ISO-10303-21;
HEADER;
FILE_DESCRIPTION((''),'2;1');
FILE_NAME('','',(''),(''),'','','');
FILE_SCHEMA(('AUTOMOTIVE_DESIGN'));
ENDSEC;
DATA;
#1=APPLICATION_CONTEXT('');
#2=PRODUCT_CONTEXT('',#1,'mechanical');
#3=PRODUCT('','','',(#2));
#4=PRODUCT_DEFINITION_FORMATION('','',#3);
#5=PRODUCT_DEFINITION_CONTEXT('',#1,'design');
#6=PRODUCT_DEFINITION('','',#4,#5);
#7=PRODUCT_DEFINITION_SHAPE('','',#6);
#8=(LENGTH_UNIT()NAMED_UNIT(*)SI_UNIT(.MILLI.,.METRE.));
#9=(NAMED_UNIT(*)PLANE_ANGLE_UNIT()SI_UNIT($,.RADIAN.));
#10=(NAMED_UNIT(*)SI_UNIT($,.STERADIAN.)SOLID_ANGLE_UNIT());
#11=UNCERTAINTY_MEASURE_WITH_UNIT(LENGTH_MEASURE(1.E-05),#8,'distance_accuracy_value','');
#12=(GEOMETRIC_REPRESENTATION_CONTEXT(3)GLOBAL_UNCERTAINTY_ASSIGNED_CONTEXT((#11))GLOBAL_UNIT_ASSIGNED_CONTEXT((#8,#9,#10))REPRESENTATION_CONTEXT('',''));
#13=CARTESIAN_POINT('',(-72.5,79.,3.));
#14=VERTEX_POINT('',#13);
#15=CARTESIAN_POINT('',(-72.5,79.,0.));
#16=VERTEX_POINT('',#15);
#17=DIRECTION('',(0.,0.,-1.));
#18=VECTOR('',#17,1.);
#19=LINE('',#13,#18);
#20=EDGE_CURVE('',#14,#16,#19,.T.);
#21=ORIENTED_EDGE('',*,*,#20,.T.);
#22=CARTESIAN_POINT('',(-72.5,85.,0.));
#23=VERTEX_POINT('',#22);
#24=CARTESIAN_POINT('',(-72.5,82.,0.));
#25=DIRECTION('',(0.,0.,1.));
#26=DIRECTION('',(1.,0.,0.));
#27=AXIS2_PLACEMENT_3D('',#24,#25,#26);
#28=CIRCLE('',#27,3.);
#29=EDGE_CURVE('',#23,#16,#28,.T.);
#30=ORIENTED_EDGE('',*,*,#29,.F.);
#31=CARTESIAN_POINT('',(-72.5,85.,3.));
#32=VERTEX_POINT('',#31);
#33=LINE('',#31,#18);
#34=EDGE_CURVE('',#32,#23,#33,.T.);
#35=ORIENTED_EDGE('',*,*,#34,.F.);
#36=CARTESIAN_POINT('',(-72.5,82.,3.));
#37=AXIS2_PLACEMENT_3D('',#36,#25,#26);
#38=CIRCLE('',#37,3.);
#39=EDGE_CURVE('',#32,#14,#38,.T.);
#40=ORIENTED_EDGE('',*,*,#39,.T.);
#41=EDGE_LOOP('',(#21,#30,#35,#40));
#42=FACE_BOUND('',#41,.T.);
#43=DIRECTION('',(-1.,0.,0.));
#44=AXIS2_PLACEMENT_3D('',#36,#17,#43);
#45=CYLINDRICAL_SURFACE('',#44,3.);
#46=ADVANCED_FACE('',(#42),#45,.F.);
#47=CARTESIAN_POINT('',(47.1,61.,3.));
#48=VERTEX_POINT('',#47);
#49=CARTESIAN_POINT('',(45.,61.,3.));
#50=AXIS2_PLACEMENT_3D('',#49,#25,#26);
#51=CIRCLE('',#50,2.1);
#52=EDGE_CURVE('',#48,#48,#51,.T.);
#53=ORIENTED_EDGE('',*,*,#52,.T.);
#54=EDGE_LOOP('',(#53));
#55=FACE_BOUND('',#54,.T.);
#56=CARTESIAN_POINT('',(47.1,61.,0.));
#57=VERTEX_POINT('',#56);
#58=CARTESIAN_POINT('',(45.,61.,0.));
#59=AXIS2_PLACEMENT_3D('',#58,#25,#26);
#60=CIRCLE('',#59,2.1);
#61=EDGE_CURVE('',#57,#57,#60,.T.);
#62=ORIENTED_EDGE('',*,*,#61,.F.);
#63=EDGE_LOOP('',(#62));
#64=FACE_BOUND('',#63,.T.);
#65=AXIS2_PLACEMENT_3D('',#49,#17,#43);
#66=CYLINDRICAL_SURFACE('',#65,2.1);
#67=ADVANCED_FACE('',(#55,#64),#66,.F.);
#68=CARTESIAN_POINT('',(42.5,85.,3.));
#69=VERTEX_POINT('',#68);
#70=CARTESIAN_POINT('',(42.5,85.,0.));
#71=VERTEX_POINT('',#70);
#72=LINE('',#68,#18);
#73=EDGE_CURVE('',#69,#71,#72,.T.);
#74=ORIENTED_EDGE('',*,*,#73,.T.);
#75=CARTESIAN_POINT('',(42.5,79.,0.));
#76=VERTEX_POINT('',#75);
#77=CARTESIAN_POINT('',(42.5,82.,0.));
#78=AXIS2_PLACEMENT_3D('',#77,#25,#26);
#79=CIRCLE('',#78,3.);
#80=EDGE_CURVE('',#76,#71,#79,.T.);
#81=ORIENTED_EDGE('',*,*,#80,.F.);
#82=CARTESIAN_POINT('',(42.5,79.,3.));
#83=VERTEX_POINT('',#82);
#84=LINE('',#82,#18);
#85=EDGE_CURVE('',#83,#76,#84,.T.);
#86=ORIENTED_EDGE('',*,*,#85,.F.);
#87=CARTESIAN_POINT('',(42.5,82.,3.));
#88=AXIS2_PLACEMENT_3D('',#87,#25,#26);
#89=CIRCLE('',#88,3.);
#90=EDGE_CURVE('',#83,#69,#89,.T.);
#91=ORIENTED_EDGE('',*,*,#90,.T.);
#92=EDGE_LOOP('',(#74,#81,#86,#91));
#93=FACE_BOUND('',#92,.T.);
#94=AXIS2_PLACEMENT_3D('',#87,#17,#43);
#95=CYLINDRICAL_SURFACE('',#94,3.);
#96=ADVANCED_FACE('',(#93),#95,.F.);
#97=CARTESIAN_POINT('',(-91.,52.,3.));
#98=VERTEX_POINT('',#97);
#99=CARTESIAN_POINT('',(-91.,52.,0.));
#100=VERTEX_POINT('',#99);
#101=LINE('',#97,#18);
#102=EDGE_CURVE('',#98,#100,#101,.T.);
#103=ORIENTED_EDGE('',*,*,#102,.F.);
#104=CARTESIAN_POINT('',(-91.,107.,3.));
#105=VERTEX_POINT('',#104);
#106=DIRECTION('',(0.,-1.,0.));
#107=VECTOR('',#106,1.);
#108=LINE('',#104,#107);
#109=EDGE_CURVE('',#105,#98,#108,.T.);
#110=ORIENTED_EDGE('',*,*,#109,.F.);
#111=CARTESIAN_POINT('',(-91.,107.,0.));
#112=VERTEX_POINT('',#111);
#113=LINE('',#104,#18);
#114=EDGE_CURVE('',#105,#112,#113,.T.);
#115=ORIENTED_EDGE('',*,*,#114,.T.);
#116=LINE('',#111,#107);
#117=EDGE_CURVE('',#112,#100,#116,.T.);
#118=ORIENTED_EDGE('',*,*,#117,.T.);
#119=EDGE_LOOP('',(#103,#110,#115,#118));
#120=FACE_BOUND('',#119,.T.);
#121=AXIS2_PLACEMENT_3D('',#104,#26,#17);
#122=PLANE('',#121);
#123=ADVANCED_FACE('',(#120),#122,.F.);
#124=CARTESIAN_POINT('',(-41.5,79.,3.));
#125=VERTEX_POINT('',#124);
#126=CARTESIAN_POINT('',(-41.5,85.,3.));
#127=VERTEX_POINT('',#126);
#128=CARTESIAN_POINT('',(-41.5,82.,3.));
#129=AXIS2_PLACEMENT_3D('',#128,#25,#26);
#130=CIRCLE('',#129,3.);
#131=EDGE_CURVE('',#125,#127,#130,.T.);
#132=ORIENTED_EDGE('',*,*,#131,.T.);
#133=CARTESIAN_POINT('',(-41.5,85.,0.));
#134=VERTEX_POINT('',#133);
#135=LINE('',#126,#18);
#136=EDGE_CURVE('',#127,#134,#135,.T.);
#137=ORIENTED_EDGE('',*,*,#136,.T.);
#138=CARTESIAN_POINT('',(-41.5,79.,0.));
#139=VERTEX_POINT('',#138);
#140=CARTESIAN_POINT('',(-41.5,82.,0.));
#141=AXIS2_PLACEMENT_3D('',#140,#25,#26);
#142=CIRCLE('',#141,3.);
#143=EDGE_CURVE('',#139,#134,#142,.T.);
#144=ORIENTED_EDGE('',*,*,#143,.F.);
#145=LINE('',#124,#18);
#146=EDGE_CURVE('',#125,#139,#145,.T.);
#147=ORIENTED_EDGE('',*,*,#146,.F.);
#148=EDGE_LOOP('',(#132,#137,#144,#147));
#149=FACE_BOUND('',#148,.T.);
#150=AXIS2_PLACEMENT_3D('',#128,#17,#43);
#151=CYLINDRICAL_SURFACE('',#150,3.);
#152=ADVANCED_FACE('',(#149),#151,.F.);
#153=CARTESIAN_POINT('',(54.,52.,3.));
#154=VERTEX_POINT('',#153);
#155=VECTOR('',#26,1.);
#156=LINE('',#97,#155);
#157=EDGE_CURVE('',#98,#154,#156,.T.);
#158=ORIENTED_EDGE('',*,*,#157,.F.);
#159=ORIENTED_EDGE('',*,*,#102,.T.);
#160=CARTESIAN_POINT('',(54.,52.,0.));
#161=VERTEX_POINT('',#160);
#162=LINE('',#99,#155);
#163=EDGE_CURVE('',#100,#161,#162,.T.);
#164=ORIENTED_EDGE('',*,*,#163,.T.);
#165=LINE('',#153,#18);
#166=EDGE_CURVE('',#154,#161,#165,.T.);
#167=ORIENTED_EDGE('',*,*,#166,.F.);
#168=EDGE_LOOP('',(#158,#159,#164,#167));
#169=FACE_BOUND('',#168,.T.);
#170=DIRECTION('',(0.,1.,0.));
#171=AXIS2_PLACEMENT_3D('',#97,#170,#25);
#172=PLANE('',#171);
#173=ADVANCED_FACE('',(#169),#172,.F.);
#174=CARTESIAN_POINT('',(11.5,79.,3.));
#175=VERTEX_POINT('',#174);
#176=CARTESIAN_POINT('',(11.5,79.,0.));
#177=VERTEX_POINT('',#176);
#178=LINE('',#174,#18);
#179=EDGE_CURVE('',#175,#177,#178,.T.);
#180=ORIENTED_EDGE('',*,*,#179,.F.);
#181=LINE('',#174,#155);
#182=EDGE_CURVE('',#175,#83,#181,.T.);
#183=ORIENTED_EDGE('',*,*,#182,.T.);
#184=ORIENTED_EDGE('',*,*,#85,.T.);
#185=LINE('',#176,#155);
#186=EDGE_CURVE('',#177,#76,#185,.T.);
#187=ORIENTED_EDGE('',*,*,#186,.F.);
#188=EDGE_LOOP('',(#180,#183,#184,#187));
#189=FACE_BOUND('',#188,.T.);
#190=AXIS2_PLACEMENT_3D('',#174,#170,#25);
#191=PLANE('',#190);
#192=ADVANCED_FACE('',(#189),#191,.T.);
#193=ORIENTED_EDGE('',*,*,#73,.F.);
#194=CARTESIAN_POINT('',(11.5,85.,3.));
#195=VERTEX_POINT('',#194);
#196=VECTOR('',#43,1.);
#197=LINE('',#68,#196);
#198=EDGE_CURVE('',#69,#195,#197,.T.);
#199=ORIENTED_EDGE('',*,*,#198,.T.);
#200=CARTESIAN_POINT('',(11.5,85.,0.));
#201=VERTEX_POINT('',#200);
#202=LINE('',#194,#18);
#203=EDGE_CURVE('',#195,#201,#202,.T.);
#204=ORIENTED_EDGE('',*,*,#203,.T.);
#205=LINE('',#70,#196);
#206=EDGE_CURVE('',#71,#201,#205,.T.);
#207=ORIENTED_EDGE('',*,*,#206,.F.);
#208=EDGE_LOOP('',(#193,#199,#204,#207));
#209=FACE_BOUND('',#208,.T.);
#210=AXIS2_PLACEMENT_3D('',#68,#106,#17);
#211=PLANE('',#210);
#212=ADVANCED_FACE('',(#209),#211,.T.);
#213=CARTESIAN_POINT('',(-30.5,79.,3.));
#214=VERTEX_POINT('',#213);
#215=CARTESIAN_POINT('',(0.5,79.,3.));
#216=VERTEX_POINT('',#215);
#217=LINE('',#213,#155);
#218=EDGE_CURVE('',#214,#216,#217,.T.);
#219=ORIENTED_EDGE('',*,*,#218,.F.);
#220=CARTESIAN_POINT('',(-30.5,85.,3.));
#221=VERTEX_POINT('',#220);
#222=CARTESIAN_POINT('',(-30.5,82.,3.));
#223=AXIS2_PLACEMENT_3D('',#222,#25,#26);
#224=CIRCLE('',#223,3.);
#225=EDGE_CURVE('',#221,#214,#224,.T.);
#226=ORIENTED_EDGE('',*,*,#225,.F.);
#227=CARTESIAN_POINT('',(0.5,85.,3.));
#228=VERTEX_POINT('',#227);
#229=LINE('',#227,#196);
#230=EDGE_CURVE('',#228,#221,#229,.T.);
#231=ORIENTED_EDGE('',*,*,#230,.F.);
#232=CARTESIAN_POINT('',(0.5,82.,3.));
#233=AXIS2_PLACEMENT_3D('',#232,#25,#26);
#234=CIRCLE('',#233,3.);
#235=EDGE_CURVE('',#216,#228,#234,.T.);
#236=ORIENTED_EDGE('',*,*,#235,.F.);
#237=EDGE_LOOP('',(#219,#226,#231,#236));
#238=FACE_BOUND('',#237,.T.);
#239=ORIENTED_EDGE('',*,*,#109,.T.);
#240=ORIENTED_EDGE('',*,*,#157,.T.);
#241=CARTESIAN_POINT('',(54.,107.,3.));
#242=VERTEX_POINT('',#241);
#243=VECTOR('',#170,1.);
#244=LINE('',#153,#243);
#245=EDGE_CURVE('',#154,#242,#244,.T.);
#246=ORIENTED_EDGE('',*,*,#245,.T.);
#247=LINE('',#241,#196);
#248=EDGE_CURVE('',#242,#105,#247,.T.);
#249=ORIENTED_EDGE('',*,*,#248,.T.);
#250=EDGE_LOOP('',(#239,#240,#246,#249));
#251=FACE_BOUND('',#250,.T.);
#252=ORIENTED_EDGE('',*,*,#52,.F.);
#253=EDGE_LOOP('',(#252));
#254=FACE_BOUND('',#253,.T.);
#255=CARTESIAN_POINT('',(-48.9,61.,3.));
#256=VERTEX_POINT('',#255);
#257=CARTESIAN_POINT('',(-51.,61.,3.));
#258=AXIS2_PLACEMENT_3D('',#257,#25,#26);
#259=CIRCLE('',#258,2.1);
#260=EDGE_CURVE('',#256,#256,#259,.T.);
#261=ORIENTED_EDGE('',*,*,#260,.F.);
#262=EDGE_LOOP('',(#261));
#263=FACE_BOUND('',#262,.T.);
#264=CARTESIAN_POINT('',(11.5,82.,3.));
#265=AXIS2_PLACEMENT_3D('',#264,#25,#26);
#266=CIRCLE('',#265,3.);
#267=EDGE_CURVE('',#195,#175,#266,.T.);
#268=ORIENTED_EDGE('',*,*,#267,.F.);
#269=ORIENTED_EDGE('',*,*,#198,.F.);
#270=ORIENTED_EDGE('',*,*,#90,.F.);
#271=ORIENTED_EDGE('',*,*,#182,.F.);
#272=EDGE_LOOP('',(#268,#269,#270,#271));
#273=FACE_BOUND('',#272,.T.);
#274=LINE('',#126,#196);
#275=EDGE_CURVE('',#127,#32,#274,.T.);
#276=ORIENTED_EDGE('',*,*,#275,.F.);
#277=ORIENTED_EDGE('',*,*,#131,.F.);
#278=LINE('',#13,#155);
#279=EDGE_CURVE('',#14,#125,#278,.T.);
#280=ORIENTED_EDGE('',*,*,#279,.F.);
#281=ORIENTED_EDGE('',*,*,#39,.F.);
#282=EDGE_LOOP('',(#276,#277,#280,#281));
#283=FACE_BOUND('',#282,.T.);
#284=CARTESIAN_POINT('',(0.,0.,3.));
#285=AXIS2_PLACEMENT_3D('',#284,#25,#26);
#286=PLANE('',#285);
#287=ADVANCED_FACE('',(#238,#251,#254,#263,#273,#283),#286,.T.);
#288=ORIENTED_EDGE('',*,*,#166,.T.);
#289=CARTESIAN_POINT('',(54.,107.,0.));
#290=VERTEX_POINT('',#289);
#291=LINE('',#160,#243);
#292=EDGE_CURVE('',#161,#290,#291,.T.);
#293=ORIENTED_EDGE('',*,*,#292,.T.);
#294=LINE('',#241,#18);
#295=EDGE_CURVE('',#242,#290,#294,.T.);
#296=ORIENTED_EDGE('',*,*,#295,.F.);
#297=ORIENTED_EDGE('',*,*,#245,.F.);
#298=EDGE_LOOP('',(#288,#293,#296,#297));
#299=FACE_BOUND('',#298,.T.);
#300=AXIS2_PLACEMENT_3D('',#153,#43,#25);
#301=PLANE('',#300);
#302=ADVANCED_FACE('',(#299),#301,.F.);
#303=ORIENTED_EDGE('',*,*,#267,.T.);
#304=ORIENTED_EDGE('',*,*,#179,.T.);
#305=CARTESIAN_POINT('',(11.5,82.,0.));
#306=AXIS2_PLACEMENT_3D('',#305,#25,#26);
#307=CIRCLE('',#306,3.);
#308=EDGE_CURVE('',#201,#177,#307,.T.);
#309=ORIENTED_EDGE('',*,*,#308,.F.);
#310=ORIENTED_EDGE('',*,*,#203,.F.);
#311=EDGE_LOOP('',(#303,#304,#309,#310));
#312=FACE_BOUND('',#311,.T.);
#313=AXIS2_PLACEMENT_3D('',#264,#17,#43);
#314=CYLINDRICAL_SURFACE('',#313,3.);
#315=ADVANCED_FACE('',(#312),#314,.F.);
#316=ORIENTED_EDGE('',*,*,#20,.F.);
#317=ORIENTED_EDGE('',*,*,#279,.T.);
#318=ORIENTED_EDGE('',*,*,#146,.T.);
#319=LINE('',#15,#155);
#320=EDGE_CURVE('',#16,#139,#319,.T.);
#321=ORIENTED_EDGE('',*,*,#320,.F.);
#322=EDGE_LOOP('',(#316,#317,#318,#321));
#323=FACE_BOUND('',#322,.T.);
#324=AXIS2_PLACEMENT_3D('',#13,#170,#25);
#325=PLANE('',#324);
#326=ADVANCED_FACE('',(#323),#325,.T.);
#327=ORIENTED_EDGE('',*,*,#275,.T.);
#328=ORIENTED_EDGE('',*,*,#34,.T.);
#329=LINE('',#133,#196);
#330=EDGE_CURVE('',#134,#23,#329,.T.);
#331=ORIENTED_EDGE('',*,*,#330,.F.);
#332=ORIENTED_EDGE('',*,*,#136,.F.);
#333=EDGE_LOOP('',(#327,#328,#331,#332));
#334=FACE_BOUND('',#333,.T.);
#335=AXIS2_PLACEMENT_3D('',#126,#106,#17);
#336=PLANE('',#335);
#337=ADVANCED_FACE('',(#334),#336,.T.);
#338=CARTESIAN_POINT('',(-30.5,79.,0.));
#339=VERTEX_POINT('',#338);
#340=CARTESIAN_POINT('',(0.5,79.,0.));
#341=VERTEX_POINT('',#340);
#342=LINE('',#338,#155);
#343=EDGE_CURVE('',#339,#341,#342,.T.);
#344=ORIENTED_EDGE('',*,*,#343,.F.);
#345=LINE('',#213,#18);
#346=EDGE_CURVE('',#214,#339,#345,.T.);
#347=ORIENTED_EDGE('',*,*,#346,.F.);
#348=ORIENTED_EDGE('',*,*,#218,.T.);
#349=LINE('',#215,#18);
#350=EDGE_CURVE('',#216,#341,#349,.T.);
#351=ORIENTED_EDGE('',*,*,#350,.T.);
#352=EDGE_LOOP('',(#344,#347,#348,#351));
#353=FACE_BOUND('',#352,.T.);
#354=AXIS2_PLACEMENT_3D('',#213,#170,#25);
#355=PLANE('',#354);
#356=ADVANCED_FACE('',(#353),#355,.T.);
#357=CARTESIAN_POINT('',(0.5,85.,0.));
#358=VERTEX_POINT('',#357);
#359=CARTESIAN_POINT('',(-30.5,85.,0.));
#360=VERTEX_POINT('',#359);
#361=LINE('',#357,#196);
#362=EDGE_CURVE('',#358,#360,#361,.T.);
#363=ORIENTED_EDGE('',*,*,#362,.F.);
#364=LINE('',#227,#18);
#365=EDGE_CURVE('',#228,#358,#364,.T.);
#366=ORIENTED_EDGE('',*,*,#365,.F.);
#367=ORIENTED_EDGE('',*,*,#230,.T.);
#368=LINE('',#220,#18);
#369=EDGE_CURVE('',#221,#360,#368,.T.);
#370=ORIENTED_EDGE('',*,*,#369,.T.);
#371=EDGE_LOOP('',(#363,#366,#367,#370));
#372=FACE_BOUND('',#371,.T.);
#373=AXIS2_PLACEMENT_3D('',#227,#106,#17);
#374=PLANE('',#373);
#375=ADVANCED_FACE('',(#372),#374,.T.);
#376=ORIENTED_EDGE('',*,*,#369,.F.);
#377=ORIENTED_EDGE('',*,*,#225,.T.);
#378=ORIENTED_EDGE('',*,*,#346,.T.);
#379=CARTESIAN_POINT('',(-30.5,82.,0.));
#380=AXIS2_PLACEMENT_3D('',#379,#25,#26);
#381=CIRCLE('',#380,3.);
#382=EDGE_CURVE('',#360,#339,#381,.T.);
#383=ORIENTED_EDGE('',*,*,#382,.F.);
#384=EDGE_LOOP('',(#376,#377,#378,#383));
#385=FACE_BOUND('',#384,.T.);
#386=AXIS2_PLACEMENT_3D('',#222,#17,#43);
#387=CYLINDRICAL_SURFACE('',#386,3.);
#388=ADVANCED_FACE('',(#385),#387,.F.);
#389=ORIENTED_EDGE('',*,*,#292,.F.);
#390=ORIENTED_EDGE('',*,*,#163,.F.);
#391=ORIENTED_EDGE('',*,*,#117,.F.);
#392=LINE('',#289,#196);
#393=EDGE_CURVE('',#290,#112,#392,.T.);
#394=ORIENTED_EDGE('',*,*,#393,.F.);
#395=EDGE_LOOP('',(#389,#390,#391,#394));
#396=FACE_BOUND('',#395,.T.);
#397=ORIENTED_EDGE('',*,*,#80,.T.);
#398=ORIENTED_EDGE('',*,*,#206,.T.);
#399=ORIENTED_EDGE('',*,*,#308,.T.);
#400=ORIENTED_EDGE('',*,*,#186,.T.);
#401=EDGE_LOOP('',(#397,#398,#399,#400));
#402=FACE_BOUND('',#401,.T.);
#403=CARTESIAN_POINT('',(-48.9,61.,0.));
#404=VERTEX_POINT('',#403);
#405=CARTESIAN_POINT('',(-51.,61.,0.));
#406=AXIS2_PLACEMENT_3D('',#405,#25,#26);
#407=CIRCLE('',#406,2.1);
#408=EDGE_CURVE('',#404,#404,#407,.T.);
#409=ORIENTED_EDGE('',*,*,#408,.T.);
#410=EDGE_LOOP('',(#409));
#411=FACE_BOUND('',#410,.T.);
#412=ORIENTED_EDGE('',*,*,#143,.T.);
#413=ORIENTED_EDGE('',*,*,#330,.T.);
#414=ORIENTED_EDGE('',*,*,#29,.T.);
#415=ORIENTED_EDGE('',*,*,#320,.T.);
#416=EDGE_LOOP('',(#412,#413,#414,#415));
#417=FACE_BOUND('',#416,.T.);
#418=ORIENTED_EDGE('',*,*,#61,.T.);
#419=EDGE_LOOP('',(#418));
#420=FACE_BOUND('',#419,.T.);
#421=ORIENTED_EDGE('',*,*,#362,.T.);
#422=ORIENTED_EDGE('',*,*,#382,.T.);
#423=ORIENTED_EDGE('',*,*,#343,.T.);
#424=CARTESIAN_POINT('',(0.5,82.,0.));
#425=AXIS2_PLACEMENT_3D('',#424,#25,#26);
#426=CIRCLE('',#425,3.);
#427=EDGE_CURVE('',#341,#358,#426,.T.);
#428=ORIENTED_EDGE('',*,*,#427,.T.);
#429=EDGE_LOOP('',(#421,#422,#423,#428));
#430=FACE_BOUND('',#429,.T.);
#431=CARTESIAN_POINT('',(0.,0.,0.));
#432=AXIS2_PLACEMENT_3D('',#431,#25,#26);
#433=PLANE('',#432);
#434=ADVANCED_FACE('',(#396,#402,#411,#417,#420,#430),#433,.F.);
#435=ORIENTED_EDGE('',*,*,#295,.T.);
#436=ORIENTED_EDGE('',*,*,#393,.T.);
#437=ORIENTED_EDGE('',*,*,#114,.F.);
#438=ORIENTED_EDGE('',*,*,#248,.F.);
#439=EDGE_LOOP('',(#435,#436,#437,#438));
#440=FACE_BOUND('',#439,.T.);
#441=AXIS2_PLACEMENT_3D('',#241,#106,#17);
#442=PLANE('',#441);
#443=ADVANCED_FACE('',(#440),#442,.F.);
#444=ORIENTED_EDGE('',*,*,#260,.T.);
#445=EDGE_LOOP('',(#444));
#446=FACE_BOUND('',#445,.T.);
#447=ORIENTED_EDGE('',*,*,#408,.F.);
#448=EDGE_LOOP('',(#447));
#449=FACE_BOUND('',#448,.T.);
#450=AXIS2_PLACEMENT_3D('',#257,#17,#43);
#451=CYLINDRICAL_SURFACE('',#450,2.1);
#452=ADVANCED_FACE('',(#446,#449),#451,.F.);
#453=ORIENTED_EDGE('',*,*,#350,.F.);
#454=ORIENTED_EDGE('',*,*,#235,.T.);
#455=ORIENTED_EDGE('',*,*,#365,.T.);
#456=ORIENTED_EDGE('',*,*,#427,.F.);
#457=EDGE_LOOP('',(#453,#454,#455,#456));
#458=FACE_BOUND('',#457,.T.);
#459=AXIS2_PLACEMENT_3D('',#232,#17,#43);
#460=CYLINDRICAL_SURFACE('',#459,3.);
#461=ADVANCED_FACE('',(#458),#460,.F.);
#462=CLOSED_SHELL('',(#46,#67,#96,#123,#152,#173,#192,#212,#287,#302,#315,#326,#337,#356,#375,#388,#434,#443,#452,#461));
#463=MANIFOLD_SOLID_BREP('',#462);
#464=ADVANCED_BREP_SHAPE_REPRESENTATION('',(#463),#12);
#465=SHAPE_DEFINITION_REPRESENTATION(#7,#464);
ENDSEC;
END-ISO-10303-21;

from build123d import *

# Parameters (mm, degrees)
VENTED_LID_RISER_PROFILE_W = 145
VENTED_LID_RISER_PROFILE_H = 55
VENTED_LID_RISER_PROFILE_R = 2.1
VENTED_LID_RISER_DEPTH     = 3


with BuildPart() as part:
    # Vented lid riser profile → Vented lid riser (new body)
    with BuildSketch(Plane.XY):
        with Locations((-18.5, 79.5)):
            Rectangle(VENTED_LID_RISER_PROFILE_W, VENTED_LID_RISER_PROFILE_H)
        with Locations((-51, 61)):
            Circle(VENTED_LID_RISER_PROFILE_R, mode=Mode.SUBTRACT)
        with Locations((45, 61)):
            Circle(VENTED_LID_RISER_PROFILE_R, mode=Mode.SUBTRACT)
        with BuildLine():
            Line((-72.5, 79), (-41.5, 79))
            ThreePointArc((-41.5, 79), (-38.5, 82), (-41.5, 85))
            Line((-41.5, 85), (-72.5, 85))
            ThreePointArc((-72.5, 85), (-75.5, 82), (-72.5, 79))
        make_face(mode=Mode.SUBTRACT)
        with BuildLine():
            Line((-30.5, 79), (0.5, 79))
            ThreePointArc((0.5, 79), (3.5, 82), (0.5, 85))
            Line((0.5, 85), (-30.5, 85))
            ThreePointArc((-30.5, 85), (-33.5, 82), (-30.5, 79))
        make_face(mode=Mode.SUBTRACT)
        with BuildLine():
            Line((11.5, 79), (42.5, 79))
            ThreePointArc((42.5, 79), (45.5, 82), (42.5, 85))
            Line((42.5, 85), (11.5, 85))
            ThreePointArc((11.5, 85), (8.5, 82), (11.5, 79))
        make_face(mode=Mode.SUBTRACT)
    extrude(amount=VENTED_LID_RISER_DEPTH)


solid = part.part
